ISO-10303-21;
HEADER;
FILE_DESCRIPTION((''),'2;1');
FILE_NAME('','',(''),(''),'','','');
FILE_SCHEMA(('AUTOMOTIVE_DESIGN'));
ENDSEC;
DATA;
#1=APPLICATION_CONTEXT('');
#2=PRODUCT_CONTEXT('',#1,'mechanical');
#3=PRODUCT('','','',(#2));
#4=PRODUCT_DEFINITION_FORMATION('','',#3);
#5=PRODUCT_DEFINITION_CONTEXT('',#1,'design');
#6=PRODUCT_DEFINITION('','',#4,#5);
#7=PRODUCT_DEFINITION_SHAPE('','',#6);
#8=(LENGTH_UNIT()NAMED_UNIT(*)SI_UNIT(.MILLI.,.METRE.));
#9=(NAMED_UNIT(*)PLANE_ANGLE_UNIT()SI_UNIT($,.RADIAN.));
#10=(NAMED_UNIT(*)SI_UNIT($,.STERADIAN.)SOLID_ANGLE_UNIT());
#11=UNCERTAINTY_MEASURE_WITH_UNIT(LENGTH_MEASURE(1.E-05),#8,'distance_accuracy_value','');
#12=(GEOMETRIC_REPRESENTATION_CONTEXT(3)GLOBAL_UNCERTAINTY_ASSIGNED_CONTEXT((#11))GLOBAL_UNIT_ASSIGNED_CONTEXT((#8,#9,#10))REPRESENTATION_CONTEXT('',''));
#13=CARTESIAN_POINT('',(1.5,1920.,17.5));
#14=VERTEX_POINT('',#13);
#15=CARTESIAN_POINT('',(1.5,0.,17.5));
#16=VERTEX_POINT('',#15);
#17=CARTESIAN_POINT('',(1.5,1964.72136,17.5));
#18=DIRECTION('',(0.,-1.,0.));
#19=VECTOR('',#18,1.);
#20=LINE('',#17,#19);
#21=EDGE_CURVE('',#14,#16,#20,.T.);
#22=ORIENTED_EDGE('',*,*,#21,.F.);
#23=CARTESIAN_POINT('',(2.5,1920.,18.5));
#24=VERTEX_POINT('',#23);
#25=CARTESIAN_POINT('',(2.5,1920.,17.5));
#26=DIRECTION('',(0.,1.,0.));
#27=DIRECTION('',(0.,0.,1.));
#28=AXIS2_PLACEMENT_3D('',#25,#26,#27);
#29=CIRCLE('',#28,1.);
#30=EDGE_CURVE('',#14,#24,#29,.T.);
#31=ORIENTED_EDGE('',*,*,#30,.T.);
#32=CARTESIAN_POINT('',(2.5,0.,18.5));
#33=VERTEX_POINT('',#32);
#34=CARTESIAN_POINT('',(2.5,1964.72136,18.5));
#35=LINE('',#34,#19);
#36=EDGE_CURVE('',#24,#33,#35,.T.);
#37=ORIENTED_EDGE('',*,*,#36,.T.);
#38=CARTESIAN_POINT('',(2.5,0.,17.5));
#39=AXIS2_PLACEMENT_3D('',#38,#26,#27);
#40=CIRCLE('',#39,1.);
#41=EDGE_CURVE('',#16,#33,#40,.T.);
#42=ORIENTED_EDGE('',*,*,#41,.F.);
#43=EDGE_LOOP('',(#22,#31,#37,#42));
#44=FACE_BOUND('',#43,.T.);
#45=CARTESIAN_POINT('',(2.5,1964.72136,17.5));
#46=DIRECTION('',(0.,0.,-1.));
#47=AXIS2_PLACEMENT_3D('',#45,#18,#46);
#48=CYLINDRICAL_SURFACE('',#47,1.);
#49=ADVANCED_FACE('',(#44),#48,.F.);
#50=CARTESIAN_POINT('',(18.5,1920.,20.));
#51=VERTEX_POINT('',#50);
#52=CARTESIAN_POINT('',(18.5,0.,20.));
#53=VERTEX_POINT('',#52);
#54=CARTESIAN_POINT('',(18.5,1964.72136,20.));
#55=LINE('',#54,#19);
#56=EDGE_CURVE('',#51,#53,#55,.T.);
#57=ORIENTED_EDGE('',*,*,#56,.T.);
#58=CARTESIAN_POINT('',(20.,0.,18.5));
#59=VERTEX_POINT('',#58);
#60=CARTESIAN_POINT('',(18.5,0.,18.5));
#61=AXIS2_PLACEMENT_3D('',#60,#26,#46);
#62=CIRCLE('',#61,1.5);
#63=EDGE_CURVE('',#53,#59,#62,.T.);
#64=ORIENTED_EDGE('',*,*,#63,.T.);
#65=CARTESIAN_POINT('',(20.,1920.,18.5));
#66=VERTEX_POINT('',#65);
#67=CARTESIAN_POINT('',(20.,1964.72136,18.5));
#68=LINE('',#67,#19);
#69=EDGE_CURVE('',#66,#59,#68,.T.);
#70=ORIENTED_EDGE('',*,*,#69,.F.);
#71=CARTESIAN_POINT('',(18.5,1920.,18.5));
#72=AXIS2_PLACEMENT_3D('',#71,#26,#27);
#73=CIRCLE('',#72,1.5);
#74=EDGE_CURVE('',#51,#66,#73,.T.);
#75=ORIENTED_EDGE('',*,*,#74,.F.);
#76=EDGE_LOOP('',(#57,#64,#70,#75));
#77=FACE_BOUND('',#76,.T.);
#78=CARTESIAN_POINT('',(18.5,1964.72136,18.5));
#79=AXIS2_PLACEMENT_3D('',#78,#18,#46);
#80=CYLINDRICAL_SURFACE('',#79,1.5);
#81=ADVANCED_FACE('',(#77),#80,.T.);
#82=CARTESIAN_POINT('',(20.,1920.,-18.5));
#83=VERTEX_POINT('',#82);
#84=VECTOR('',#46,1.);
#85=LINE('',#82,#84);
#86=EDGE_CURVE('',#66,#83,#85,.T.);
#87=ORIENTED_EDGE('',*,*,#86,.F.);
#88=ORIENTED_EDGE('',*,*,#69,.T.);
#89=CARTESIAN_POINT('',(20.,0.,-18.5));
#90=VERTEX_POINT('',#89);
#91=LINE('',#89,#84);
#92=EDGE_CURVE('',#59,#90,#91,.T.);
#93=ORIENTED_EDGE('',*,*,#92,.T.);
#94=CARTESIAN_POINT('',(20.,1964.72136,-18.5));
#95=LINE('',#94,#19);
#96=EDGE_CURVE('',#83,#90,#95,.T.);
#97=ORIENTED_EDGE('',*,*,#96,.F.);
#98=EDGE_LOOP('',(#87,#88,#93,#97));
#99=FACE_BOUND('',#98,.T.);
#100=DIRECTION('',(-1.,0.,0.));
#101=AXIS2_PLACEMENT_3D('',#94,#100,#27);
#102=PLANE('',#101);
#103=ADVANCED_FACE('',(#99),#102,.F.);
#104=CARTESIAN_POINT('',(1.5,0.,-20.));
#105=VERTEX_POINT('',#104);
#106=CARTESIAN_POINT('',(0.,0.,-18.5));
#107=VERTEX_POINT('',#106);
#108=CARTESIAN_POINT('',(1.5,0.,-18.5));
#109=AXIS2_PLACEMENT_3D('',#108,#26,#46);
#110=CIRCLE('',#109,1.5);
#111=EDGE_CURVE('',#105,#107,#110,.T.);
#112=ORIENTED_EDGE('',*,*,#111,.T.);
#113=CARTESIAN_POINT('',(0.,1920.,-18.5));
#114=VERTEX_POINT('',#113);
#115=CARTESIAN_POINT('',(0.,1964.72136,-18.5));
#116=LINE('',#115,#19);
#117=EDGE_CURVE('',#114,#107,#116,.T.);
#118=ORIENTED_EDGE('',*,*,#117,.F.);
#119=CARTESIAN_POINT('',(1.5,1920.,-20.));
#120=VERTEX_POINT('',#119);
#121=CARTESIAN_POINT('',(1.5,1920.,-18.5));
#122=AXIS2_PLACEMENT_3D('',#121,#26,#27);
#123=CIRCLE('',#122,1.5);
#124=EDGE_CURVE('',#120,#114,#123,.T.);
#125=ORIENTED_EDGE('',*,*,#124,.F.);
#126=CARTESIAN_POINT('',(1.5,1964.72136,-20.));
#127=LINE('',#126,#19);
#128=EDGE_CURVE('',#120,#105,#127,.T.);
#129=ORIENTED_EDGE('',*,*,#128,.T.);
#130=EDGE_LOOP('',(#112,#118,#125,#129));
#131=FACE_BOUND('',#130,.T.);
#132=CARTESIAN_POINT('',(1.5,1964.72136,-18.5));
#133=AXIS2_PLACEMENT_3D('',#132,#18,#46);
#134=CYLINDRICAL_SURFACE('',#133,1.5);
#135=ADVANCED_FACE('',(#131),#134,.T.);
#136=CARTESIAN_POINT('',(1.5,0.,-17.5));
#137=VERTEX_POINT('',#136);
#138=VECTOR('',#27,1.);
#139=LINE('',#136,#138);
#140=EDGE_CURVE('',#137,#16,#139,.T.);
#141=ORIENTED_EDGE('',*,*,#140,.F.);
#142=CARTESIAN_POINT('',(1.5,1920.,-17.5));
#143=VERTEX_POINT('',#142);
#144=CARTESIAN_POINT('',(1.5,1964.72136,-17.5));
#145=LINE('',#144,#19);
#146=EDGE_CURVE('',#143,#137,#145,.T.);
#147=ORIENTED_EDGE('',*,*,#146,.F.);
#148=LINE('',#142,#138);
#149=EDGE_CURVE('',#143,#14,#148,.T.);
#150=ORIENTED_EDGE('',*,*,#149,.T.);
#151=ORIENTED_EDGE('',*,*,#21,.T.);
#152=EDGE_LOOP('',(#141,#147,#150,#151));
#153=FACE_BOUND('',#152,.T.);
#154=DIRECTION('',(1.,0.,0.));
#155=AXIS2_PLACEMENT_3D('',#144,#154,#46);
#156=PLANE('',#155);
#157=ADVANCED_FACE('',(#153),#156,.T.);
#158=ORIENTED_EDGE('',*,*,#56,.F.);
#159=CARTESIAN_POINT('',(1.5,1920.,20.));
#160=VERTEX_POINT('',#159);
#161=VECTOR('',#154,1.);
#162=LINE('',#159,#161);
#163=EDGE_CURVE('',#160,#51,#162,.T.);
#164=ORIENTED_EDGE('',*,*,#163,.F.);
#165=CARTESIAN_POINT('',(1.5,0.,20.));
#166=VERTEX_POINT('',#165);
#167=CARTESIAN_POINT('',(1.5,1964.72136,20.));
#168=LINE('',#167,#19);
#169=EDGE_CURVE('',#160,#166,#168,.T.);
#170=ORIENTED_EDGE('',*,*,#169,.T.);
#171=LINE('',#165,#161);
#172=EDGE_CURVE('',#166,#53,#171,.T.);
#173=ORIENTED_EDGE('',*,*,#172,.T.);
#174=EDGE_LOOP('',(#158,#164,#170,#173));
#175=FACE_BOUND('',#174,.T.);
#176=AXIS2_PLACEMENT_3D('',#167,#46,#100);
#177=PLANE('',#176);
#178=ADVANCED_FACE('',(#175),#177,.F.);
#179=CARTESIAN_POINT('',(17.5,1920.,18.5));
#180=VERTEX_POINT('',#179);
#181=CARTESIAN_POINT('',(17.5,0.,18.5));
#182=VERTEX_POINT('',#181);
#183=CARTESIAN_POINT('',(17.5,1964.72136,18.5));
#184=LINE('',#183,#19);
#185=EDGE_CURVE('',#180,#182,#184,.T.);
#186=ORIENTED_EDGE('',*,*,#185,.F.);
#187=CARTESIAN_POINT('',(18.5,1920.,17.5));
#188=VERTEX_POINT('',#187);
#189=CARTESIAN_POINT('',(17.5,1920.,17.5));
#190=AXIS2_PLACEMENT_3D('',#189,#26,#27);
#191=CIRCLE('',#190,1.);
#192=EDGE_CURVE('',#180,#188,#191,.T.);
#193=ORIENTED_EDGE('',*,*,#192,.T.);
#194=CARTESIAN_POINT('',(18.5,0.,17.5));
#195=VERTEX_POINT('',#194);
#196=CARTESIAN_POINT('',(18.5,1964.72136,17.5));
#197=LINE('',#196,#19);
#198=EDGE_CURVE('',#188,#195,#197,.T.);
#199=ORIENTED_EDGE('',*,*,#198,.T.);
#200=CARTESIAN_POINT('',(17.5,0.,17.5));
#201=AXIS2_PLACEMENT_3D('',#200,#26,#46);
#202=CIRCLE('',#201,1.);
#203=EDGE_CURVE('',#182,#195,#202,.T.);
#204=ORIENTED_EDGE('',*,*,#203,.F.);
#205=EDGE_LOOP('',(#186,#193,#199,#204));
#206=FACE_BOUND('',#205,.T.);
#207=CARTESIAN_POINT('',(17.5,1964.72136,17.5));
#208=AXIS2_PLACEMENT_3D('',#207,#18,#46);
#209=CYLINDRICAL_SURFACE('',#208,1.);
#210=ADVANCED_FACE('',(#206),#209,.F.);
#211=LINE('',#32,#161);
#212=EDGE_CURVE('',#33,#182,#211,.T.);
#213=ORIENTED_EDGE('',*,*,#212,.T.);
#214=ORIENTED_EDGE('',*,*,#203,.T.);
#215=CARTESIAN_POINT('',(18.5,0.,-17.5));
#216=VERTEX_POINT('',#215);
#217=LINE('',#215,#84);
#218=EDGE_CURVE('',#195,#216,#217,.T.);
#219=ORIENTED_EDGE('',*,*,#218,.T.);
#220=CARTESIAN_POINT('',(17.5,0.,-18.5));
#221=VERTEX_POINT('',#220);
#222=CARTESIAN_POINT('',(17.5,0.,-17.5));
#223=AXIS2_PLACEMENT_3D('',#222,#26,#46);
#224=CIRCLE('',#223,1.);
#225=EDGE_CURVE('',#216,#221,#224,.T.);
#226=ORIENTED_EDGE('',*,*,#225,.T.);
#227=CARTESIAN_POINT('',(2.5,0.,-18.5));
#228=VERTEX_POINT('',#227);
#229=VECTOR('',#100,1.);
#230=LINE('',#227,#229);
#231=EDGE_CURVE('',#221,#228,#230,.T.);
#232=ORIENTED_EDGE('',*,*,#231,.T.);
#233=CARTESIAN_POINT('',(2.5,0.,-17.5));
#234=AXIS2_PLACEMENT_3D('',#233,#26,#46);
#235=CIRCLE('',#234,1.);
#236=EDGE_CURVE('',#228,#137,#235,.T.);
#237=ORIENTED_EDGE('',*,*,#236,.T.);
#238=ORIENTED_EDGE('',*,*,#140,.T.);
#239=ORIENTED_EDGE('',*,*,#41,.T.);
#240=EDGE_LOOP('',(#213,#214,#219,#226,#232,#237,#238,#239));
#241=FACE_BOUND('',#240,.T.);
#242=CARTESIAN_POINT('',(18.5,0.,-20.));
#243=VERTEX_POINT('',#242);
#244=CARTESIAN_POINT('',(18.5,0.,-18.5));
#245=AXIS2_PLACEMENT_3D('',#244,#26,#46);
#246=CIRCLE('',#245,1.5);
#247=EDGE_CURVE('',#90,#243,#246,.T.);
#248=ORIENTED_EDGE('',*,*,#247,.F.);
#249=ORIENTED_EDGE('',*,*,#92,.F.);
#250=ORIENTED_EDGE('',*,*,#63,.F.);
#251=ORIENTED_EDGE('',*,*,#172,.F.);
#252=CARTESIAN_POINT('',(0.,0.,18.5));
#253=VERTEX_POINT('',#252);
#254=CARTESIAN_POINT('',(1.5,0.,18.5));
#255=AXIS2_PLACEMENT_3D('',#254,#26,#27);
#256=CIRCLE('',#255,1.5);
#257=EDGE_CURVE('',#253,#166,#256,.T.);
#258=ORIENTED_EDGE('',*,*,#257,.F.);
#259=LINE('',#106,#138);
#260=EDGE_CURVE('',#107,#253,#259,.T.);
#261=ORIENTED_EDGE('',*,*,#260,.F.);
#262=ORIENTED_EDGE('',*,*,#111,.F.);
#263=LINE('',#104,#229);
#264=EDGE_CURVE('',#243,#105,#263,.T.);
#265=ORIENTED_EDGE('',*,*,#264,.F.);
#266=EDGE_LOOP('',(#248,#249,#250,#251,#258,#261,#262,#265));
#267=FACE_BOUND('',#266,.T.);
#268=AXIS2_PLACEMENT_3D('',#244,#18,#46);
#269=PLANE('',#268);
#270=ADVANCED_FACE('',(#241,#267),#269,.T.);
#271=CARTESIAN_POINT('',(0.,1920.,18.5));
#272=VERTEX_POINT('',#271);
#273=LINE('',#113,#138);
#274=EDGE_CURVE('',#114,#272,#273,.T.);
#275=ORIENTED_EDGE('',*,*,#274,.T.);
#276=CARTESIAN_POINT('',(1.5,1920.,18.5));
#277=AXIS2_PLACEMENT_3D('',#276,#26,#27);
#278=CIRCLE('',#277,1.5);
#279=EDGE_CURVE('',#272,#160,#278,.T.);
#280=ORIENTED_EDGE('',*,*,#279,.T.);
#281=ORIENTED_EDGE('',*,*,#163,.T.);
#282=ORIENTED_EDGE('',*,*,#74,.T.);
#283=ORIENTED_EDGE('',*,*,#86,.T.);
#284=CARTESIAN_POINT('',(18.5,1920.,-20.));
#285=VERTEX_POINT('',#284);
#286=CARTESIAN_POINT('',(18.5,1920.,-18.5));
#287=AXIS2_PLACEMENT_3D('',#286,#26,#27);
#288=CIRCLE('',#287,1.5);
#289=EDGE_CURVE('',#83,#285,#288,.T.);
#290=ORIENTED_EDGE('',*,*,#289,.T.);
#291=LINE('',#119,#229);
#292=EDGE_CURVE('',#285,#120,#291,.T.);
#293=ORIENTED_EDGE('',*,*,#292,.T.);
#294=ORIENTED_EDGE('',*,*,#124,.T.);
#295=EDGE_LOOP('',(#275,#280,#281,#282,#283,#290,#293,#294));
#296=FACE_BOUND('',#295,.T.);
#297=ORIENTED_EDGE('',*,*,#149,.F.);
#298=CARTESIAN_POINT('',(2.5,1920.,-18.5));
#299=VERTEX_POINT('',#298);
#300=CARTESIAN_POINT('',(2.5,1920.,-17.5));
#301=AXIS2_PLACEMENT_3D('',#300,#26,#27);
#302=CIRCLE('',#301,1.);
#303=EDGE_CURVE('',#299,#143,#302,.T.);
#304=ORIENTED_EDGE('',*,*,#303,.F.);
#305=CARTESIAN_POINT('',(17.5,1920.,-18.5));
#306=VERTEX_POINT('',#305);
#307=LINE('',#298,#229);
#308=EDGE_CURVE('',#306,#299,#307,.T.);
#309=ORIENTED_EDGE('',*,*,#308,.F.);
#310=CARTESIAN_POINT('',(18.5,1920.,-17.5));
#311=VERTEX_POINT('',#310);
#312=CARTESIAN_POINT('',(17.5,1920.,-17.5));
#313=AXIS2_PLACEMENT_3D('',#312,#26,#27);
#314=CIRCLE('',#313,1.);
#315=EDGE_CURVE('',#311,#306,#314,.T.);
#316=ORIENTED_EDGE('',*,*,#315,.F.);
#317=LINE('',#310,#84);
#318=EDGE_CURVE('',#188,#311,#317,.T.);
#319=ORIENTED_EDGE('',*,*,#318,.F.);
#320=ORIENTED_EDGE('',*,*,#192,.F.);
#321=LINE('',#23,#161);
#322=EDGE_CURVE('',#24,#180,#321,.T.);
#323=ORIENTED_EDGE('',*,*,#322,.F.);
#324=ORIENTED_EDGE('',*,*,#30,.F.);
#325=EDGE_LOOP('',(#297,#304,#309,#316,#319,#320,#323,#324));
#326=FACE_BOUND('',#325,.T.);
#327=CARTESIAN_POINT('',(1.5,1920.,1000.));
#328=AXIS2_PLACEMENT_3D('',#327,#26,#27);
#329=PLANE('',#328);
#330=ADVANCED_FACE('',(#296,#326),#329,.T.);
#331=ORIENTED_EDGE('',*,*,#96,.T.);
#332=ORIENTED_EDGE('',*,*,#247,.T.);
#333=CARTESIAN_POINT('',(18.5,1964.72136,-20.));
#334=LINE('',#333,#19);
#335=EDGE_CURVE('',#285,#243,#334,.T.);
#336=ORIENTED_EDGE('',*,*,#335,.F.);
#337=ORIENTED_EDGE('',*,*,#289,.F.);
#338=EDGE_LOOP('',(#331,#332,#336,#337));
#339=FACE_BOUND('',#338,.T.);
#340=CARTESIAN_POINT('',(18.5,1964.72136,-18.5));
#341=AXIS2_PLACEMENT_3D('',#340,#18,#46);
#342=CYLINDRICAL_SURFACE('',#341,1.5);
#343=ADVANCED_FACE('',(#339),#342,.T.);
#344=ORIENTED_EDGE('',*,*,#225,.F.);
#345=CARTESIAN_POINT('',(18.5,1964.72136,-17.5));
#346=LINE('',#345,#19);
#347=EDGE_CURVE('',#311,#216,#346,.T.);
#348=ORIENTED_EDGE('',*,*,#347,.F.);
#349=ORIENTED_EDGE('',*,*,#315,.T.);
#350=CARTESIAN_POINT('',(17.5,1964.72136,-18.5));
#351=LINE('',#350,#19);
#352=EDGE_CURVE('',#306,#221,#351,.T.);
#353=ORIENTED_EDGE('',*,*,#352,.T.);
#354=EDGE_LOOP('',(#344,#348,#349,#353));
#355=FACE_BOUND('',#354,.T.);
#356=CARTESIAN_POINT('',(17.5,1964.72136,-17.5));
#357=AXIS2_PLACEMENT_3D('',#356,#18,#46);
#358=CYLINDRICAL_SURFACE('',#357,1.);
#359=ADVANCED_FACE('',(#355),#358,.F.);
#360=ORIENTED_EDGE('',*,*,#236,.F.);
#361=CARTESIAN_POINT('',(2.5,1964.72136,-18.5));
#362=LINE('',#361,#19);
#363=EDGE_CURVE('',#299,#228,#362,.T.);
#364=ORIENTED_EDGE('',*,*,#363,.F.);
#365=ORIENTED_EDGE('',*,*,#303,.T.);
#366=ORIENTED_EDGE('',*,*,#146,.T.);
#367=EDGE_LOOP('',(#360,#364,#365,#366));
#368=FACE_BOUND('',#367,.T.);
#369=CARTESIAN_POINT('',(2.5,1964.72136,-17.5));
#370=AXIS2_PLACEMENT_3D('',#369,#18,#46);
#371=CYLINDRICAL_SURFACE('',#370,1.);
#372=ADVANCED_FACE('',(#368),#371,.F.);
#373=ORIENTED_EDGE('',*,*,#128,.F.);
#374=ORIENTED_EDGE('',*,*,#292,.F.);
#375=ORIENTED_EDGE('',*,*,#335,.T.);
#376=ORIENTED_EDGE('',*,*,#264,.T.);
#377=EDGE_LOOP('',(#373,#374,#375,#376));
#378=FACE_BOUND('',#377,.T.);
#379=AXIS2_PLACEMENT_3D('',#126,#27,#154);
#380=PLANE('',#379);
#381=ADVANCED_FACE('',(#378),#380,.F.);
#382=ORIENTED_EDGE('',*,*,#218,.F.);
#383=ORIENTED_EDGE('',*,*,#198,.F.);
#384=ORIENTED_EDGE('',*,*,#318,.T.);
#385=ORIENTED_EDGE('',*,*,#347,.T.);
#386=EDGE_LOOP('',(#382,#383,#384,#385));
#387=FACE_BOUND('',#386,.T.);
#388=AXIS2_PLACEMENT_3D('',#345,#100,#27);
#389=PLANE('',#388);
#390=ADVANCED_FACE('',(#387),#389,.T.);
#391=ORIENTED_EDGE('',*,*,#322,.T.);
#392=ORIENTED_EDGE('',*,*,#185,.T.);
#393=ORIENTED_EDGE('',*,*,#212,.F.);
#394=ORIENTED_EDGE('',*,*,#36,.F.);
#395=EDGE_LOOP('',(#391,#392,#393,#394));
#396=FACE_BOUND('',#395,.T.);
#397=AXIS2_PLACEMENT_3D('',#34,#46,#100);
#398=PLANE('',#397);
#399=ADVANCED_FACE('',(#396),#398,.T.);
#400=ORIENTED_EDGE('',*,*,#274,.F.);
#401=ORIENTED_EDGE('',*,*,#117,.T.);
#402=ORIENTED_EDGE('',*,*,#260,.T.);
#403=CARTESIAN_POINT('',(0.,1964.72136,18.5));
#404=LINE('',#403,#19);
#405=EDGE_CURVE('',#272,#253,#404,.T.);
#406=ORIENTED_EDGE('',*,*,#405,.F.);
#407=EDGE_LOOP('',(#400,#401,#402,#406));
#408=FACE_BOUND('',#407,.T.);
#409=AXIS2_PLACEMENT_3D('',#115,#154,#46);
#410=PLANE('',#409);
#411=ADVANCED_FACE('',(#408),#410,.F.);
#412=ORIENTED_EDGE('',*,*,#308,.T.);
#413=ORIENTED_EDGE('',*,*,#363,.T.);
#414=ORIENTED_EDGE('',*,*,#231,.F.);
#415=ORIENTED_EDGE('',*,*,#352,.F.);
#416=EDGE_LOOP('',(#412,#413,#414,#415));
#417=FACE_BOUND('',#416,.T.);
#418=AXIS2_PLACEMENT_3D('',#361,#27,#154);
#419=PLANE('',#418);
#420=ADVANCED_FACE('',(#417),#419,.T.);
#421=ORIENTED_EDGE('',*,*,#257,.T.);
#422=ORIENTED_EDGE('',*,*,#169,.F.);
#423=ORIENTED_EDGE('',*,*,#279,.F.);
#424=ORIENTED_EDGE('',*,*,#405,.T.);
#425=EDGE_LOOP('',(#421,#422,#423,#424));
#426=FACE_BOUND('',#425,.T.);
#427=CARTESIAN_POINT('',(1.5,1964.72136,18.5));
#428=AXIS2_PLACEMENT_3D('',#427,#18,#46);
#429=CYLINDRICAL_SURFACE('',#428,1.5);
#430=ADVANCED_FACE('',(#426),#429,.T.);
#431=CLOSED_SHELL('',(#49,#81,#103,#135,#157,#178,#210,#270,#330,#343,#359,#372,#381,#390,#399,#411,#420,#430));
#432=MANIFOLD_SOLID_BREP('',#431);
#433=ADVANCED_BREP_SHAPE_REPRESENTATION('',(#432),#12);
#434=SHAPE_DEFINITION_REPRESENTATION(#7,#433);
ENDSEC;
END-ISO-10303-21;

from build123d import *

# Parameters (mm, degrees)
EXTRUDE_1_DEPTH = 1920


with BuildPart() as part:
    # Эскиз1 → Бобышка-Вытянуть1 (new body)
    with BuildSketch(Plane(origin=(0, 0, 0), x_dir=(1, 0, 0), z_dir=(0, 1, 0))):
        with BuildLine():
            Line((0, 18.5), (0, -18.5))
            ThreePointArc((0, -18.5), (0.439339828, -19.560660172), (1.5, -20))
            Line((1.5, -20), (18.5, -20))
            ThreePointArc((18.5, -20), (19.560660172, -19.560660172), (20, -18.5))
            Line((20, -18.5), (20, 18.5))
            ThreePointArc((20, 18.5), (19.560660172, 19.560660172), (18.5, 20))
            Line((18.5, 20), (1.5, 20))
            ThreePointArc((1.5, 20), (0.439339828, 19.560660172), (0, 18.5))
        make_face()
        with BuildLine():
            Line((1.5, 17.5), (1.5, -17.5))
            ThreePointArc((1.5, -17.5), (1.792893219, -18.207106781), (2.5, -18.5))
            Line((2.5, -18.5), (17.5, -18.5))
            ThreePointArc((17.5, -18.5), (18.207106781, -18.207106781), (18.5, -17.5))
            Line((18.5, -17.5), (18.5, 17.5))
            ThreePointArc((18.5, 17.5), (18.207106781, 18.207106781), (17.5, 18.5))
            Line((17.5, 18.5), (2.5, 18.5))
            ThreePointArc((2.5, 18.5), (1.792893219, 18.207106781), (1.5, 17.5))
        make_face(mode=Mode.SUBTRACT)
    extrude(amount=EXTRUDE_1_DEPTH)


solid = part.part
